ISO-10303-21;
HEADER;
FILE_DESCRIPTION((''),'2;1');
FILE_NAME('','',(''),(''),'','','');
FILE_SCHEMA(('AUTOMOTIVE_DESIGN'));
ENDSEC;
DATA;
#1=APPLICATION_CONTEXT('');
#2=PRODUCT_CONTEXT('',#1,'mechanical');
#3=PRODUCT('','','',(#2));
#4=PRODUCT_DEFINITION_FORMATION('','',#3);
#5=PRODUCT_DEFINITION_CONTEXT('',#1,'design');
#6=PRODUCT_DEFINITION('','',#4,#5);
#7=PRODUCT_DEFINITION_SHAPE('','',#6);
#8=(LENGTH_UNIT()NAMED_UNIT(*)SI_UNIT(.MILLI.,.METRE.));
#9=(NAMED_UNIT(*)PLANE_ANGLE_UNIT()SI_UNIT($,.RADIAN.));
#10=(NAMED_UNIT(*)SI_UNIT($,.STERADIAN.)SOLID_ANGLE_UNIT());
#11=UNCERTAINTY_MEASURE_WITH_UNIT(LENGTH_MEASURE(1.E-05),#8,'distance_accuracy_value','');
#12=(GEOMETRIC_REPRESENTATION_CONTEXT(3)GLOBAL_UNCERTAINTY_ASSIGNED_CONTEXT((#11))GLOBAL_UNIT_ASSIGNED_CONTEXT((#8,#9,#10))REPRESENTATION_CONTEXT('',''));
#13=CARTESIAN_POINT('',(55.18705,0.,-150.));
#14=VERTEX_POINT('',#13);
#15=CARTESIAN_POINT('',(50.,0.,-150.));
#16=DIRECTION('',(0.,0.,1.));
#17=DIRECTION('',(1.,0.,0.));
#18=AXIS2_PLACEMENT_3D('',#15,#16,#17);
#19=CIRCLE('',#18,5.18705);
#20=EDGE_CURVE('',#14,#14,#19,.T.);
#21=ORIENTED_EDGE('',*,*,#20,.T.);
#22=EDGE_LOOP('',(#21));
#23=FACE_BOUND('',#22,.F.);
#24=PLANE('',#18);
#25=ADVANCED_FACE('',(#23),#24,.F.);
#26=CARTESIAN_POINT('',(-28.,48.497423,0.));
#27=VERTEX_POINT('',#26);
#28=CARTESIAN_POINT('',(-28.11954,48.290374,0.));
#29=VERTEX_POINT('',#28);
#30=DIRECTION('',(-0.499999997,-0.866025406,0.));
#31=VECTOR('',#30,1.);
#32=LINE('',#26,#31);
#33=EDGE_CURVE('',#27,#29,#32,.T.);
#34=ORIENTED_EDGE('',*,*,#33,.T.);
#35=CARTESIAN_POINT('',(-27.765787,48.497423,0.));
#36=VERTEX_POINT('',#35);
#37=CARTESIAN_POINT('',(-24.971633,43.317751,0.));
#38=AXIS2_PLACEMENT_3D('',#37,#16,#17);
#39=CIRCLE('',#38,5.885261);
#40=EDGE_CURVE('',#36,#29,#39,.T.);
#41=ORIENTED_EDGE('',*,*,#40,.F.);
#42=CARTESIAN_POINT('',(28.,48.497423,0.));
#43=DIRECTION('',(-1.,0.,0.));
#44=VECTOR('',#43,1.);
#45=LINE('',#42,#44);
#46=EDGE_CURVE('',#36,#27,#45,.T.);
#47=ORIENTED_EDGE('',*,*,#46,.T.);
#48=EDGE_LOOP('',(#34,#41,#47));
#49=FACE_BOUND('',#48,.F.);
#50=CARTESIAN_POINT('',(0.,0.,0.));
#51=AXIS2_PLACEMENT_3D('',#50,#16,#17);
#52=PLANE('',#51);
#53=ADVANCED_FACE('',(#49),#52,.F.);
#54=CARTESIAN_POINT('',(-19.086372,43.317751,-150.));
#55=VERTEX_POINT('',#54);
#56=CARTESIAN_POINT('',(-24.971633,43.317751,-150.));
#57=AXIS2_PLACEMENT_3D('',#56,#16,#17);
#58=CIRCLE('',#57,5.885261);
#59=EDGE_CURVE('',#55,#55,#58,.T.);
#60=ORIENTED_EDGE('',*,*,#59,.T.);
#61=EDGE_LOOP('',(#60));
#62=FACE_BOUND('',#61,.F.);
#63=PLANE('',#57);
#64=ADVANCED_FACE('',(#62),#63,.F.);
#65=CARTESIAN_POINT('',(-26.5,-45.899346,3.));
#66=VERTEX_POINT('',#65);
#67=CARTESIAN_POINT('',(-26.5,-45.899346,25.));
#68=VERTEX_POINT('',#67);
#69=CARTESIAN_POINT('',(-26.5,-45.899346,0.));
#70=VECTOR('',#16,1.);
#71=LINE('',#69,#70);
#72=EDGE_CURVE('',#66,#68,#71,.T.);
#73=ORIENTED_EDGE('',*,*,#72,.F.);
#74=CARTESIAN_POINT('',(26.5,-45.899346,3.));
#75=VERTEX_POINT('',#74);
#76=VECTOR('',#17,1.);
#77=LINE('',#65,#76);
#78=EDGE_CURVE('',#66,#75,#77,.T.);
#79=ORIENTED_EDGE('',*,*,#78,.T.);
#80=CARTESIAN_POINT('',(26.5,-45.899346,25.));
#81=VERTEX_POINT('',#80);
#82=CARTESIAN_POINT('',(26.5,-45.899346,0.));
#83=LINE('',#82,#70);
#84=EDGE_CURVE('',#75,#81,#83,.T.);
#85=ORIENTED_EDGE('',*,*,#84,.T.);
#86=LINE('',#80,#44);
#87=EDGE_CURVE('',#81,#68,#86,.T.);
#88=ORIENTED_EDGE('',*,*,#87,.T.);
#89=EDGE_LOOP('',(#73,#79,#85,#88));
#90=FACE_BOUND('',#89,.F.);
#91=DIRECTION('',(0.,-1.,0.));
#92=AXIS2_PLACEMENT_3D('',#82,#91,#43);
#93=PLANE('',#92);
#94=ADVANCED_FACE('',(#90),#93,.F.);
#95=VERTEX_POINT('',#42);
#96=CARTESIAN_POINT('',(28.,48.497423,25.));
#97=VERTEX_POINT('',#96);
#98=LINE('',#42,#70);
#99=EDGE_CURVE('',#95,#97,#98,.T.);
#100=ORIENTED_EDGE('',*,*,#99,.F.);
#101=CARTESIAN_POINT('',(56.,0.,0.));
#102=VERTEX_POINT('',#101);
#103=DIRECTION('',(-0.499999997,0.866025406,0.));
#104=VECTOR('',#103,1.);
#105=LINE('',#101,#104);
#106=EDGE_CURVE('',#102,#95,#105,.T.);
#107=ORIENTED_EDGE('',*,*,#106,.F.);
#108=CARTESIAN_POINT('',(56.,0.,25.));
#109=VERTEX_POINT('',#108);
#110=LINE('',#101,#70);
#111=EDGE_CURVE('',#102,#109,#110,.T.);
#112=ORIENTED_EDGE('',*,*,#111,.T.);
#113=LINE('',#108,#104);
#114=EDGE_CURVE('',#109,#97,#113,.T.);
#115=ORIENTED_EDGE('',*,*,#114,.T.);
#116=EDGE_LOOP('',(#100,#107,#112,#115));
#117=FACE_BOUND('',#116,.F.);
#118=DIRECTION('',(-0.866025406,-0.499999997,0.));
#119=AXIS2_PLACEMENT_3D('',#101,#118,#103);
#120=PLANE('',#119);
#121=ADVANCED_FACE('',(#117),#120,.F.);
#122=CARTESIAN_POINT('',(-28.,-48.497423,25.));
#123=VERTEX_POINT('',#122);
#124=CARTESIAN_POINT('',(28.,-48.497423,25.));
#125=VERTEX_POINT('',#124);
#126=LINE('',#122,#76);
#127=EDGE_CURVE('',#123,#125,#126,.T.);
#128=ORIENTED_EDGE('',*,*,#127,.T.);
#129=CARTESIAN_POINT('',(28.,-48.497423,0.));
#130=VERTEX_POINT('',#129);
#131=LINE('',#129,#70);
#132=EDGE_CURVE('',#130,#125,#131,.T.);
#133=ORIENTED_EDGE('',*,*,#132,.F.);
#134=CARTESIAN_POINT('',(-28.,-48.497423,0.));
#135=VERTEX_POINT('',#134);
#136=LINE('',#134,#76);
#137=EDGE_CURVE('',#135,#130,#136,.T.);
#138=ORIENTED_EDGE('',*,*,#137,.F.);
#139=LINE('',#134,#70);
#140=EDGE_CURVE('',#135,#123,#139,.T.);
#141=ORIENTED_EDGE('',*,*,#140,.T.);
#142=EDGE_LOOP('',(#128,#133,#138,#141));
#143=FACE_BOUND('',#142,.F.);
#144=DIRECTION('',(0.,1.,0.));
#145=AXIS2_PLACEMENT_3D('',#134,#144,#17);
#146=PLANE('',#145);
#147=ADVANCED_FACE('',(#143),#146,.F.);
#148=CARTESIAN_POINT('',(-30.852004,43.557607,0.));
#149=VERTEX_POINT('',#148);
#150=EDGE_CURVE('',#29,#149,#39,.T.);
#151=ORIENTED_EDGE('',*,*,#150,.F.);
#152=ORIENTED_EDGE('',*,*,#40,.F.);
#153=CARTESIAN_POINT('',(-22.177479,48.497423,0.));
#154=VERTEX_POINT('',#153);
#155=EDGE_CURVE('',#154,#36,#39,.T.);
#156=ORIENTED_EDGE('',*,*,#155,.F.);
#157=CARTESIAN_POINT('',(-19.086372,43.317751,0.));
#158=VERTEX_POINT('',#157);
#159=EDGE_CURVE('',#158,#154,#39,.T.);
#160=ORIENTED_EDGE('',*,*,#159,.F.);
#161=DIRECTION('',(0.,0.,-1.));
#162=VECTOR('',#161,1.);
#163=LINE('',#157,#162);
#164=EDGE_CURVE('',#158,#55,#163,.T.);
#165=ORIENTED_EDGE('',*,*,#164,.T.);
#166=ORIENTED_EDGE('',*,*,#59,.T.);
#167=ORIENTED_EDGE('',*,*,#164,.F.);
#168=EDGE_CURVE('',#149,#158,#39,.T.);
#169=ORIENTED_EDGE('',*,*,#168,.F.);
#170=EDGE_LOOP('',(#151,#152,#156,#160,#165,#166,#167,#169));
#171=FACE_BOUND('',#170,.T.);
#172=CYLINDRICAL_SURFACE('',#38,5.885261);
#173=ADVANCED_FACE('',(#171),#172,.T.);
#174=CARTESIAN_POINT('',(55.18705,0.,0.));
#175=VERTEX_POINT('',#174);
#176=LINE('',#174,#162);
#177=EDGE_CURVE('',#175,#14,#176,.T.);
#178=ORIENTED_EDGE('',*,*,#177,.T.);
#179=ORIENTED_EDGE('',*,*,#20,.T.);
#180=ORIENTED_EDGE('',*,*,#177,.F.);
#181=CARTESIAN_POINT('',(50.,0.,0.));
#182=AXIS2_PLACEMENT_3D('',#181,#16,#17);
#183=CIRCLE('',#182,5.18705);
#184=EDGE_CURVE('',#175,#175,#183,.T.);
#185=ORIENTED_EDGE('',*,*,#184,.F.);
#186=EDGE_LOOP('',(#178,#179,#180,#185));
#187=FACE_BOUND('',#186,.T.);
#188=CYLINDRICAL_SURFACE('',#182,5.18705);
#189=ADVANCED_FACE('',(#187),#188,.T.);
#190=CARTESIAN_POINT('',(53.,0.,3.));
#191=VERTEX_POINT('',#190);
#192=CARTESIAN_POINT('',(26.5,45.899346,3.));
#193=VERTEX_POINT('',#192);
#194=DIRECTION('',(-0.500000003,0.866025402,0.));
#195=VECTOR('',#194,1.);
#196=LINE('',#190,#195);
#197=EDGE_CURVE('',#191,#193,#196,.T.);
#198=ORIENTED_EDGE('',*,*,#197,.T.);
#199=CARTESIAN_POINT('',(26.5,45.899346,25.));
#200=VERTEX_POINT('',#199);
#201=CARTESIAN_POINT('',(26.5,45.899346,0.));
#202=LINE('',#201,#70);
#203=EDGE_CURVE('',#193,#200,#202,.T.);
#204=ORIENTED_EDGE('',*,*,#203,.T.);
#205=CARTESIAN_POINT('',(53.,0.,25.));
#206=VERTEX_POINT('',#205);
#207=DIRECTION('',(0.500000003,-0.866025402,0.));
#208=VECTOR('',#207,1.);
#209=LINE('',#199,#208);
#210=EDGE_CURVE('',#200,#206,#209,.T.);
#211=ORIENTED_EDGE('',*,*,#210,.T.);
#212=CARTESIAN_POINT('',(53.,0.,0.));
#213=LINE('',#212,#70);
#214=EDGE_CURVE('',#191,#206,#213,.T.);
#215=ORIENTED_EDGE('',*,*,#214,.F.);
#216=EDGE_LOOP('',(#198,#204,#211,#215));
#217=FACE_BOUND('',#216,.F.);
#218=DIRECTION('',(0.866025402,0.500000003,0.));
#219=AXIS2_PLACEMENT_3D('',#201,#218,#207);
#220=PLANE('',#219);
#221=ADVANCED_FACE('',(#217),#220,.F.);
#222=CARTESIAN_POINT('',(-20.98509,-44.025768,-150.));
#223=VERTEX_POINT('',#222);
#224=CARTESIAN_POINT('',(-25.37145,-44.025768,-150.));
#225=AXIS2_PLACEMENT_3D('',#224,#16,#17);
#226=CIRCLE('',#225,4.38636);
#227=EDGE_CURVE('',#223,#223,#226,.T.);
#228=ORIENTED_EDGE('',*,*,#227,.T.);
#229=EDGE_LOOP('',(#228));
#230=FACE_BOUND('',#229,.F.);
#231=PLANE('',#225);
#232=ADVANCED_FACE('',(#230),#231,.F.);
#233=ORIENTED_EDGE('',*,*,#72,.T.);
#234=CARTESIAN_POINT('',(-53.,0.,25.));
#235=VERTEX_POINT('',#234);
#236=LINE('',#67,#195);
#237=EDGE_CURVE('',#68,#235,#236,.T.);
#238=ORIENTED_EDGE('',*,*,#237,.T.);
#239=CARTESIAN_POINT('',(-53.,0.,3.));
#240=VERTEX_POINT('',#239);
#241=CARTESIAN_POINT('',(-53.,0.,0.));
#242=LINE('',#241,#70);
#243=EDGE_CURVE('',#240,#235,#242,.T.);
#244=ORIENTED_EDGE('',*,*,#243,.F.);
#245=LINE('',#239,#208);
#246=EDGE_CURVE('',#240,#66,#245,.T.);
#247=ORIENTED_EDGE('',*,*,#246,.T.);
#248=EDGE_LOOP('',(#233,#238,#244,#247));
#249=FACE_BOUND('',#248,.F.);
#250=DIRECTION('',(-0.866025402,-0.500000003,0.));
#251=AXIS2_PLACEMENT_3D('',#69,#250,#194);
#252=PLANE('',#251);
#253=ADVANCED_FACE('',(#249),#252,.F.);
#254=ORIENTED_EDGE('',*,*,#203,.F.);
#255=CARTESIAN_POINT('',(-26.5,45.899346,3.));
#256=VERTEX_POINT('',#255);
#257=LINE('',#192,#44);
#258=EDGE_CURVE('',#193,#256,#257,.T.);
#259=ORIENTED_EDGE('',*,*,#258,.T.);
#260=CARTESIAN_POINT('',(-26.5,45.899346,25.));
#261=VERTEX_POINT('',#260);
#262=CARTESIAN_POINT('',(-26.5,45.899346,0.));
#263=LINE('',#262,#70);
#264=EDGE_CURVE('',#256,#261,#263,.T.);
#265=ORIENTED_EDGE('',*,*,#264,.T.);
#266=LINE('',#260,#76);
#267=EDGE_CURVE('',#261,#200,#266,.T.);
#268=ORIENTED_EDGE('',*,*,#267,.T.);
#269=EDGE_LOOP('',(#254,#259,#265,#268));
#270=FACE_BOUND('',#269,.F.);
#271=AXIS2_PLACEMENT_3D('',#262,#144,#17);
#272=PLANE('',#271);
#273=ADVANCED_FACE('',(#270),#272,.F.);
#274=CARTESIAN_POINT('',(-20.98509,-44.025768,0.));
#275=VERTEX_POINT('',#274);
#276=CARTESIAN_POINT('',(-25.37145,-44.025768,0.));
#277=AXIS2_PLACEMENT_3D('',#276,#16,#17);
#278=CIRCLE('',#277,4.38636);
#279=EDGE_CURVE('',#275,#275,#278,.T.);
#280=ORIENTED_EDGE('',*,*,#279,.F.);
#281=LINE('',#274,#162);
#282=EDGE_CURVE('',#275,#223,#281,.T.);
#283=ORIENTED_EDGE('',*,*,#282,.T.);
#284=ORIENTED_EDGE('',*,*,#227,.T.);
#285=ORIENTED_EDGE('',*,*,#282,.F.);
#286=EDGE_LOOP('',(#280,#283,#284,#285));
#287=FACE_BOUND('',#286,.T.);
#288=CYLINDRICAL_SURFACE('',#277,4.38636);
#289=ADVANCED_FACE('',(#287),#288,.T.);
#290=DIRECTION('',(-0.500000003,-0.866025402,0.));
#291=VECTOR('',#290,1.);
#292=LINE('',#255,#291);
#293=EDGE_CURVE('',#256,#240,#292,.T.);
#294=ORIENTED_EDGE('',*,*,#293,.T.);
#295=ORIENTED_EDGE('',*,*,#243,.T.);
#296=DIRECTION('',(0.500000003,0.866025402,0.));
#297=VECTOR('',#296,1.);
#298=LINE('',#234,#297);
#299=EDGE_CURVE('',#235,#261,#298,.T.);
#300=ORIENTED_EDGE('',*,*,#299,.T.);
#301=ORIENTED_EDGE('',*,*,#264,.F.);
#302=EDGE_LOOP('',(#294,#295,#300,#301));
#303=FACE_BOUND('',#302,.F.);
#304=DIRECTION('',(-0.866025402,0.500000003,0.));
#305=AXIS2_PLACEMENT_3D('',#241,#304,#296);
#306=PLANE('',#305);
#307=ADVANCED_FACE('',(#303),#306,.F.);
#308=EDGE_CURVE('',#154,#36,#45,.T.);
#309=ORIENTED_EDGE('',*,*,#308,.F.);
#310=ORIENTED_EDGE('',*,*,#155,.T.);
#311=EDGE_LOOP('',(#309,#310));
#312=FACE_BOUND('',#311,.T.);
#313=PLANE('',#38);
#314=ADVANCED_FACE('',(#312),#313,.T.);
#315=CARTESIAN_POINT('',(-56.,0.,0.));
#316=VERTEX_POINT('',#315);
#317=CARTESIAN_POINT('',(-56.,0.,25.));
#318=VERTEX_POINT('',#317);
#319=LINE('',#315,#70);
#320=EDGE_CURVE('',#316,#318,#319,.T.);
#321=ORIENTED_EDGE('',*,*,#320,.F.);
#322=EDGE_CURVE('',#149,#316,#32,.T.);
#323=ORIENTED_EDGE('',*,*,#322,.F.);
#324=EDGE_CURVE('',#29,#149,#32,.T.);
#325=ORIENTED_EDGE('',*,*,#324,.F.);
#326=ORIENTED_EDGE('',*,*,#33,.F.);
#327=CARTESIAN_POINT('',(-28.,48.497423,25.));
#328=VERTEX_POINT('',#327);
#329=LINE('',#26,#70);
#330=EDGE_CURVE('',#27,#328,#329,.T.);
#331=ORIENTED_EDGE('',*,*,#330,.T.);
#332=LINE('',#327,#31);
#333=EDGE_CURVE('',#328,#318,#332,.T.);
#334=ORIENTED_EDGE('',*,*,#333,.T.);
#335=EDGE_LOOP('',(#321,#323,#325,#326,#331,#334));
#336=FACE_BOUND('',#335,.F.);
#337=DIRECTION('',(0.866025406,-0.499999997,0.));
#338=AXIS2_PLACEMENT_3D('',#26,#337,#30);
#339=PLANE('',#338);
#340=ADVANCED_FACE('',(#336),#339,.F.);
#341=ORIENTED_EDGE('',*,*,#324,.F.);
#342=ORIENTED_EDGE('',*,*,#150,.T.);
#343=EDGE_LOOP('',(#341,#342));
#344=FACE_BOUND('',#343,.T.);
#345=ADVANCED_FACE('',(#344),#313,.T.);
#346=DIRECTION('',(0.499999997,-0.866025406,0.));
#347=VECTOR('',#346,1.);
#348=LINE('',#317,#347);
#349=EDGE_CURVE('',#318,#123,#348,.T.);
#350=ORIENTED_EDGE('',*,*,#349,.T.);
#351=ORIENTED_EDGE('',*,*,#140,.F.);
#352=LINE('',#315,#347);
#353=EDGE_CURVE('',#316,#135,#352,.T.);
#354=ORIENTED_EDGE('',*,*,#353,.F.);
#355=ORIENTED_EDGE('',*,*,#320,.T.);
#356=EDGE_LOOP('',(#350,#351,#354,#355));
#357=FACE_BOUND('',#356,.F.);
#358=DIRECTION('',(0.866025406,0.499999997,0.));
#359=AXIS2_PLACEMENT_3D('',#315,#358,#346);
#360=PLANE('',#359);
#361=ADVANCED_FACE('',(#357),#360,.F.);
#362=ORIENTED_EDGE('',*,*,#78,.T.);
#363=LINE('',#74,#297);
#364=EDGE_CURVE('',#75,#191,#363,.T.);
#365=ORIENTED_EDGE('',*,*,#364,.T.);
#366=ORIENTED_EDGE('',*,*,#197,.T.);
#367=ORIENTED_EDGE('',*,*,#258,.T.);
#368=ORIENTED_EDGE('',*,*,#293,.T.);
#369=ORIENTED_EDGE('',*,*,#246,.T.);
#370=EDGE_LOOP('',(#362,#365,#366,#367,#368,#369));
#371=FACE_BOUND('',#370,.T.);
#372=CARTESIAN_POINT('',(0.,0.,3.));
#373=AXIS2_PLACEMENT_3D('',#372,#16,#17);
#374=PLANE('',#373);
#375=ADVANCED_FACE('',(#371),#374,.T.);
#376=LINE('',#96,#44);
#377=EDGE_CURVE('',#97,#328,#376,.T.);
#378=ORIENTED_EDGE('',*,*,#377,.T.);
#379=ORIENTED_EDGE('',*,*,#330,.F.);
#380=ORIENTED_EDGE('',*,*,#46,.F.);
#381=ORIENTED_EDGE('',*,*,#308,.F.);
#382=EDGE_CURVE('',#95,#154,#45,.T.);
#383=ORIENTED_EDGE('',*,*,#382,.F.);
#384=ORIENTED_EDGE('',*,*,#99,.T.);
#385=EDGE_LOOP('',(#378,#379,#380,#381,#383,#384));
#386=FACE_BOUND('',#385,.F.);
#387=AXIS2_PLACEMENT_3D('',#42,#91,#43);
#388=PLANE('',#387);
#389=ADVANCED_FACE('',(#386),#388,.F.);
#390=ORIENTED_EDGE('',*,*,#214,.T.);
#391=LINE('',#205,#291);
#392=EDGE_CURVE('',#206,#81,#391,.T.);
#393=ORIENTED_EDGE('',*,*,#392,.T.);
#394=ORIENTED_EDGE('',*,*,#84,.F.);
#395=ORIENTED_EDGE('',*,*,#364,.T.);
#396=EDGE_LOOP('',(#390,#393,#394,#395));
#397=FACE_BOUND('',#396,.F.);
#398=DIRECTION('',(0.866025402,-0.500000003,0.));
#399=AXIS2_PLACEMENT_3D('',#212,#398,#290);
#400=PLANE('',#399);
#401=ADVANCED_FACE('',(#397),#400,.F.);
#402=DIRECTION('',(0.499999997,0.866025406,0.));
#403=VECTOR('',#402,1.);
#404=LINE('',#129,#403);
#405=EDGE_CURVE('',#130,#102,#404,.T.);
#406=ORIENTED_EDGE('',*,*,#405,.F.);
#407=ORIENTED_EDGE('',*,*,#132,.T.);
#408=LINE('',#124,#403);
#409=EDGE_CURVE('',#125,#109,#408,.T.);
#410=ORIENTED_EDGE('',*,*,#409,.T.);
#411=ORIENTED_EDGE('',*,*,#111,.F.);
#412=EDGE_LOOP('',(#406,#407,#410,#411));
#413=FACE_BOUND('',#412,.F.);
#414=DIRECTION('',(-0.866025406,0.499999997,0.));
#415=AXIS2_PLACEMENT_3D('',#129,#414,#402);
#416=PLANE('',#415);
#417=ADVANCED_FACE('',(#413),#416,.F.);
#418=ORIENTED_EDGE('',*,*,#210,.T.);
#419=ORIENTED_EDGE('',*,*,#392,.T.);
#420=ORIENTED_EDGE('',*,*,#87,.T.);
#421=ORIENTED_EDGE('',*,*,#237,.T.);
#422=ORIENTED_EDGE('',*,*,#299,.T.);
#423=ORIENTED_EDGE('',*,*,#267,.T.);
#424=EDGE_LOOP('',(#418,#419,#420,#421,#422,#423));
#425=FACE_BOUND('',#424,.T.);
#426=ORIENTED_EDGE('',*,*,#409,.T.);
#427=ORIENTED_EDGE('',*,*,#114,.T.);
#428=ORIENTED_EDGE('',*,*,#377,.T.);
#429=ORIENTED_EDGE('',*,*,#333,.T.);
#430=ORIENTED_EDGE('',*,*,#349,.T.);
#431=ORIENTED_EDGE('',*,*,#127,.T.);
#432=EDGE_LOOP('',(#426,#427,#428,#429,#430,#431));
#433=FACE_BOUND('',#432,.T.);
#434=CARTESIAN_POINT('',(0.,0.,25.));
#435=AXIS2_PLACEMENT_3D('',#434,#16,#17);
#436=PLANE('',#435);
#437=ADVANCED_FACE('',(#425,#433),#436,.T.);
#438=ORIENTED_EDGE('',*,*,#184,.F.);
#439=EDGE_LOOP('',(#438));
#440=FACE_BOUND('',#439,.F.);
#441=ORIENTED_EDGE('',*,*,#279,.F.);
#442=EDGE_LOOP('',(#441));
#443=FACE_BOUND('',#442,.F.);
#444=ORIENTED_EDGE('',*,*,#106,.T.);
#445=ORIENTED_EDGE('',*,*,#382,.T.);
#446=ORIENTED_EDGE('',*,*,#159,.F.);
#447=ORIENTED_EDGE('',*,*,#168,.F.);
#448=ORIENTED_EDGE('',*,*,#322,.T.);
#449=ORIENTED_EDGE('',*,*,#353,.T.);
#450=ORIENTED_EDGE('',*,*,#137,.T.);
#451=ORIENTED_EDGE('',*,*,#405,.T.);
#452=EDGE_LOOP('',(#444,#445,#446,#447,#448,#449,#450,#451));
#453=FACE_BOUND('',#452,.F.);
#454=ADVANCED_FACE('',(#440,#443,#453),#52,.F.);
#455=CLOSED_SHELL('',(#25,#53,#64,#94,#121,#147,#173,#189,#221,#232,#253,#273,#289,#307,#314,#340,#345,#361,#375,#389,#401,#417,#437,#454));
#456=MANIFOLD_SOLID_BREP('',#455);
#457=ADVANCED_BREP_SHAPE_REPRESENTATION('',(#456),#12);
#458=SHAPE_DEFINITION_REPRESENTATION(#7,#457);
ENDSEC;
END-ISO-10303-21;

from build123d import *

# Parameters (mm, degrees)
F1_DEPTH = 25
F2_DEPTH = 3
F3_R     = 4.38636
F4_DEPTH = 150
F3_R_2   = 5.18705
F5_DEPTH = 150
F3_R_3   = 5.885261
F6_DEPTH = 150


with BuildPart() as f1:
    # F0 (on Top) → F1 (new body)
    with BuildSketch(Plane.XY):
        Polygon((28, -48.497423), (56, 0), (28, 48.497423), (-28, 48.497423), (-56, 0), (-28, -48.497423), align=None)
        Polygon((26.5, 45.899346), (53, 0), (26.5, -45.899346), (-26.5, -45.899346), (-53, 0), (-26.5, 45.899346), align=None, mode=Mode.SUBTRACT)
    extrude(amount=F1_DEPTH)

    # F0 (on Top) → F2 (join)
    with BuildSketch(Plane.XY):
        Polygon((26.5, -45.899346), (53, 0), (26.5, 45.899346), (-26.5, 45.899346), (-53, 0), (-26.5, -45.899346), align=None)
    extrude(amount=F2_DEPTH)

    # F3 (on Top) → F4 (join)
    with BuildSketch(Plane.XY):
        with Locations((-25.37145, -44.025768)):
            Circle(F3_R)
    extrude(amount=-F4_DEPTH)

    # F3 (on Top) → F5 (join)
    with BuildSketch(Plane.XY):
        with Locations((50, 0)):
            Circle(F3_R_2)
    extrude(amount=-F5_DEPTH)

    # F3 (on Top) → F6 (join)
    with BuildSketch(Plane.XY):
        with Locations((-25.37145, -44.025768)):
            Circle(F3_R)
        with Locations((50, 0)):
            Circle(F3_R_2)
        with Locations((-24.971633, 43.317751)):
            Circle(F3_R_3)
    extrude(amount=-F6_DEPTH)


solid = f1.part
